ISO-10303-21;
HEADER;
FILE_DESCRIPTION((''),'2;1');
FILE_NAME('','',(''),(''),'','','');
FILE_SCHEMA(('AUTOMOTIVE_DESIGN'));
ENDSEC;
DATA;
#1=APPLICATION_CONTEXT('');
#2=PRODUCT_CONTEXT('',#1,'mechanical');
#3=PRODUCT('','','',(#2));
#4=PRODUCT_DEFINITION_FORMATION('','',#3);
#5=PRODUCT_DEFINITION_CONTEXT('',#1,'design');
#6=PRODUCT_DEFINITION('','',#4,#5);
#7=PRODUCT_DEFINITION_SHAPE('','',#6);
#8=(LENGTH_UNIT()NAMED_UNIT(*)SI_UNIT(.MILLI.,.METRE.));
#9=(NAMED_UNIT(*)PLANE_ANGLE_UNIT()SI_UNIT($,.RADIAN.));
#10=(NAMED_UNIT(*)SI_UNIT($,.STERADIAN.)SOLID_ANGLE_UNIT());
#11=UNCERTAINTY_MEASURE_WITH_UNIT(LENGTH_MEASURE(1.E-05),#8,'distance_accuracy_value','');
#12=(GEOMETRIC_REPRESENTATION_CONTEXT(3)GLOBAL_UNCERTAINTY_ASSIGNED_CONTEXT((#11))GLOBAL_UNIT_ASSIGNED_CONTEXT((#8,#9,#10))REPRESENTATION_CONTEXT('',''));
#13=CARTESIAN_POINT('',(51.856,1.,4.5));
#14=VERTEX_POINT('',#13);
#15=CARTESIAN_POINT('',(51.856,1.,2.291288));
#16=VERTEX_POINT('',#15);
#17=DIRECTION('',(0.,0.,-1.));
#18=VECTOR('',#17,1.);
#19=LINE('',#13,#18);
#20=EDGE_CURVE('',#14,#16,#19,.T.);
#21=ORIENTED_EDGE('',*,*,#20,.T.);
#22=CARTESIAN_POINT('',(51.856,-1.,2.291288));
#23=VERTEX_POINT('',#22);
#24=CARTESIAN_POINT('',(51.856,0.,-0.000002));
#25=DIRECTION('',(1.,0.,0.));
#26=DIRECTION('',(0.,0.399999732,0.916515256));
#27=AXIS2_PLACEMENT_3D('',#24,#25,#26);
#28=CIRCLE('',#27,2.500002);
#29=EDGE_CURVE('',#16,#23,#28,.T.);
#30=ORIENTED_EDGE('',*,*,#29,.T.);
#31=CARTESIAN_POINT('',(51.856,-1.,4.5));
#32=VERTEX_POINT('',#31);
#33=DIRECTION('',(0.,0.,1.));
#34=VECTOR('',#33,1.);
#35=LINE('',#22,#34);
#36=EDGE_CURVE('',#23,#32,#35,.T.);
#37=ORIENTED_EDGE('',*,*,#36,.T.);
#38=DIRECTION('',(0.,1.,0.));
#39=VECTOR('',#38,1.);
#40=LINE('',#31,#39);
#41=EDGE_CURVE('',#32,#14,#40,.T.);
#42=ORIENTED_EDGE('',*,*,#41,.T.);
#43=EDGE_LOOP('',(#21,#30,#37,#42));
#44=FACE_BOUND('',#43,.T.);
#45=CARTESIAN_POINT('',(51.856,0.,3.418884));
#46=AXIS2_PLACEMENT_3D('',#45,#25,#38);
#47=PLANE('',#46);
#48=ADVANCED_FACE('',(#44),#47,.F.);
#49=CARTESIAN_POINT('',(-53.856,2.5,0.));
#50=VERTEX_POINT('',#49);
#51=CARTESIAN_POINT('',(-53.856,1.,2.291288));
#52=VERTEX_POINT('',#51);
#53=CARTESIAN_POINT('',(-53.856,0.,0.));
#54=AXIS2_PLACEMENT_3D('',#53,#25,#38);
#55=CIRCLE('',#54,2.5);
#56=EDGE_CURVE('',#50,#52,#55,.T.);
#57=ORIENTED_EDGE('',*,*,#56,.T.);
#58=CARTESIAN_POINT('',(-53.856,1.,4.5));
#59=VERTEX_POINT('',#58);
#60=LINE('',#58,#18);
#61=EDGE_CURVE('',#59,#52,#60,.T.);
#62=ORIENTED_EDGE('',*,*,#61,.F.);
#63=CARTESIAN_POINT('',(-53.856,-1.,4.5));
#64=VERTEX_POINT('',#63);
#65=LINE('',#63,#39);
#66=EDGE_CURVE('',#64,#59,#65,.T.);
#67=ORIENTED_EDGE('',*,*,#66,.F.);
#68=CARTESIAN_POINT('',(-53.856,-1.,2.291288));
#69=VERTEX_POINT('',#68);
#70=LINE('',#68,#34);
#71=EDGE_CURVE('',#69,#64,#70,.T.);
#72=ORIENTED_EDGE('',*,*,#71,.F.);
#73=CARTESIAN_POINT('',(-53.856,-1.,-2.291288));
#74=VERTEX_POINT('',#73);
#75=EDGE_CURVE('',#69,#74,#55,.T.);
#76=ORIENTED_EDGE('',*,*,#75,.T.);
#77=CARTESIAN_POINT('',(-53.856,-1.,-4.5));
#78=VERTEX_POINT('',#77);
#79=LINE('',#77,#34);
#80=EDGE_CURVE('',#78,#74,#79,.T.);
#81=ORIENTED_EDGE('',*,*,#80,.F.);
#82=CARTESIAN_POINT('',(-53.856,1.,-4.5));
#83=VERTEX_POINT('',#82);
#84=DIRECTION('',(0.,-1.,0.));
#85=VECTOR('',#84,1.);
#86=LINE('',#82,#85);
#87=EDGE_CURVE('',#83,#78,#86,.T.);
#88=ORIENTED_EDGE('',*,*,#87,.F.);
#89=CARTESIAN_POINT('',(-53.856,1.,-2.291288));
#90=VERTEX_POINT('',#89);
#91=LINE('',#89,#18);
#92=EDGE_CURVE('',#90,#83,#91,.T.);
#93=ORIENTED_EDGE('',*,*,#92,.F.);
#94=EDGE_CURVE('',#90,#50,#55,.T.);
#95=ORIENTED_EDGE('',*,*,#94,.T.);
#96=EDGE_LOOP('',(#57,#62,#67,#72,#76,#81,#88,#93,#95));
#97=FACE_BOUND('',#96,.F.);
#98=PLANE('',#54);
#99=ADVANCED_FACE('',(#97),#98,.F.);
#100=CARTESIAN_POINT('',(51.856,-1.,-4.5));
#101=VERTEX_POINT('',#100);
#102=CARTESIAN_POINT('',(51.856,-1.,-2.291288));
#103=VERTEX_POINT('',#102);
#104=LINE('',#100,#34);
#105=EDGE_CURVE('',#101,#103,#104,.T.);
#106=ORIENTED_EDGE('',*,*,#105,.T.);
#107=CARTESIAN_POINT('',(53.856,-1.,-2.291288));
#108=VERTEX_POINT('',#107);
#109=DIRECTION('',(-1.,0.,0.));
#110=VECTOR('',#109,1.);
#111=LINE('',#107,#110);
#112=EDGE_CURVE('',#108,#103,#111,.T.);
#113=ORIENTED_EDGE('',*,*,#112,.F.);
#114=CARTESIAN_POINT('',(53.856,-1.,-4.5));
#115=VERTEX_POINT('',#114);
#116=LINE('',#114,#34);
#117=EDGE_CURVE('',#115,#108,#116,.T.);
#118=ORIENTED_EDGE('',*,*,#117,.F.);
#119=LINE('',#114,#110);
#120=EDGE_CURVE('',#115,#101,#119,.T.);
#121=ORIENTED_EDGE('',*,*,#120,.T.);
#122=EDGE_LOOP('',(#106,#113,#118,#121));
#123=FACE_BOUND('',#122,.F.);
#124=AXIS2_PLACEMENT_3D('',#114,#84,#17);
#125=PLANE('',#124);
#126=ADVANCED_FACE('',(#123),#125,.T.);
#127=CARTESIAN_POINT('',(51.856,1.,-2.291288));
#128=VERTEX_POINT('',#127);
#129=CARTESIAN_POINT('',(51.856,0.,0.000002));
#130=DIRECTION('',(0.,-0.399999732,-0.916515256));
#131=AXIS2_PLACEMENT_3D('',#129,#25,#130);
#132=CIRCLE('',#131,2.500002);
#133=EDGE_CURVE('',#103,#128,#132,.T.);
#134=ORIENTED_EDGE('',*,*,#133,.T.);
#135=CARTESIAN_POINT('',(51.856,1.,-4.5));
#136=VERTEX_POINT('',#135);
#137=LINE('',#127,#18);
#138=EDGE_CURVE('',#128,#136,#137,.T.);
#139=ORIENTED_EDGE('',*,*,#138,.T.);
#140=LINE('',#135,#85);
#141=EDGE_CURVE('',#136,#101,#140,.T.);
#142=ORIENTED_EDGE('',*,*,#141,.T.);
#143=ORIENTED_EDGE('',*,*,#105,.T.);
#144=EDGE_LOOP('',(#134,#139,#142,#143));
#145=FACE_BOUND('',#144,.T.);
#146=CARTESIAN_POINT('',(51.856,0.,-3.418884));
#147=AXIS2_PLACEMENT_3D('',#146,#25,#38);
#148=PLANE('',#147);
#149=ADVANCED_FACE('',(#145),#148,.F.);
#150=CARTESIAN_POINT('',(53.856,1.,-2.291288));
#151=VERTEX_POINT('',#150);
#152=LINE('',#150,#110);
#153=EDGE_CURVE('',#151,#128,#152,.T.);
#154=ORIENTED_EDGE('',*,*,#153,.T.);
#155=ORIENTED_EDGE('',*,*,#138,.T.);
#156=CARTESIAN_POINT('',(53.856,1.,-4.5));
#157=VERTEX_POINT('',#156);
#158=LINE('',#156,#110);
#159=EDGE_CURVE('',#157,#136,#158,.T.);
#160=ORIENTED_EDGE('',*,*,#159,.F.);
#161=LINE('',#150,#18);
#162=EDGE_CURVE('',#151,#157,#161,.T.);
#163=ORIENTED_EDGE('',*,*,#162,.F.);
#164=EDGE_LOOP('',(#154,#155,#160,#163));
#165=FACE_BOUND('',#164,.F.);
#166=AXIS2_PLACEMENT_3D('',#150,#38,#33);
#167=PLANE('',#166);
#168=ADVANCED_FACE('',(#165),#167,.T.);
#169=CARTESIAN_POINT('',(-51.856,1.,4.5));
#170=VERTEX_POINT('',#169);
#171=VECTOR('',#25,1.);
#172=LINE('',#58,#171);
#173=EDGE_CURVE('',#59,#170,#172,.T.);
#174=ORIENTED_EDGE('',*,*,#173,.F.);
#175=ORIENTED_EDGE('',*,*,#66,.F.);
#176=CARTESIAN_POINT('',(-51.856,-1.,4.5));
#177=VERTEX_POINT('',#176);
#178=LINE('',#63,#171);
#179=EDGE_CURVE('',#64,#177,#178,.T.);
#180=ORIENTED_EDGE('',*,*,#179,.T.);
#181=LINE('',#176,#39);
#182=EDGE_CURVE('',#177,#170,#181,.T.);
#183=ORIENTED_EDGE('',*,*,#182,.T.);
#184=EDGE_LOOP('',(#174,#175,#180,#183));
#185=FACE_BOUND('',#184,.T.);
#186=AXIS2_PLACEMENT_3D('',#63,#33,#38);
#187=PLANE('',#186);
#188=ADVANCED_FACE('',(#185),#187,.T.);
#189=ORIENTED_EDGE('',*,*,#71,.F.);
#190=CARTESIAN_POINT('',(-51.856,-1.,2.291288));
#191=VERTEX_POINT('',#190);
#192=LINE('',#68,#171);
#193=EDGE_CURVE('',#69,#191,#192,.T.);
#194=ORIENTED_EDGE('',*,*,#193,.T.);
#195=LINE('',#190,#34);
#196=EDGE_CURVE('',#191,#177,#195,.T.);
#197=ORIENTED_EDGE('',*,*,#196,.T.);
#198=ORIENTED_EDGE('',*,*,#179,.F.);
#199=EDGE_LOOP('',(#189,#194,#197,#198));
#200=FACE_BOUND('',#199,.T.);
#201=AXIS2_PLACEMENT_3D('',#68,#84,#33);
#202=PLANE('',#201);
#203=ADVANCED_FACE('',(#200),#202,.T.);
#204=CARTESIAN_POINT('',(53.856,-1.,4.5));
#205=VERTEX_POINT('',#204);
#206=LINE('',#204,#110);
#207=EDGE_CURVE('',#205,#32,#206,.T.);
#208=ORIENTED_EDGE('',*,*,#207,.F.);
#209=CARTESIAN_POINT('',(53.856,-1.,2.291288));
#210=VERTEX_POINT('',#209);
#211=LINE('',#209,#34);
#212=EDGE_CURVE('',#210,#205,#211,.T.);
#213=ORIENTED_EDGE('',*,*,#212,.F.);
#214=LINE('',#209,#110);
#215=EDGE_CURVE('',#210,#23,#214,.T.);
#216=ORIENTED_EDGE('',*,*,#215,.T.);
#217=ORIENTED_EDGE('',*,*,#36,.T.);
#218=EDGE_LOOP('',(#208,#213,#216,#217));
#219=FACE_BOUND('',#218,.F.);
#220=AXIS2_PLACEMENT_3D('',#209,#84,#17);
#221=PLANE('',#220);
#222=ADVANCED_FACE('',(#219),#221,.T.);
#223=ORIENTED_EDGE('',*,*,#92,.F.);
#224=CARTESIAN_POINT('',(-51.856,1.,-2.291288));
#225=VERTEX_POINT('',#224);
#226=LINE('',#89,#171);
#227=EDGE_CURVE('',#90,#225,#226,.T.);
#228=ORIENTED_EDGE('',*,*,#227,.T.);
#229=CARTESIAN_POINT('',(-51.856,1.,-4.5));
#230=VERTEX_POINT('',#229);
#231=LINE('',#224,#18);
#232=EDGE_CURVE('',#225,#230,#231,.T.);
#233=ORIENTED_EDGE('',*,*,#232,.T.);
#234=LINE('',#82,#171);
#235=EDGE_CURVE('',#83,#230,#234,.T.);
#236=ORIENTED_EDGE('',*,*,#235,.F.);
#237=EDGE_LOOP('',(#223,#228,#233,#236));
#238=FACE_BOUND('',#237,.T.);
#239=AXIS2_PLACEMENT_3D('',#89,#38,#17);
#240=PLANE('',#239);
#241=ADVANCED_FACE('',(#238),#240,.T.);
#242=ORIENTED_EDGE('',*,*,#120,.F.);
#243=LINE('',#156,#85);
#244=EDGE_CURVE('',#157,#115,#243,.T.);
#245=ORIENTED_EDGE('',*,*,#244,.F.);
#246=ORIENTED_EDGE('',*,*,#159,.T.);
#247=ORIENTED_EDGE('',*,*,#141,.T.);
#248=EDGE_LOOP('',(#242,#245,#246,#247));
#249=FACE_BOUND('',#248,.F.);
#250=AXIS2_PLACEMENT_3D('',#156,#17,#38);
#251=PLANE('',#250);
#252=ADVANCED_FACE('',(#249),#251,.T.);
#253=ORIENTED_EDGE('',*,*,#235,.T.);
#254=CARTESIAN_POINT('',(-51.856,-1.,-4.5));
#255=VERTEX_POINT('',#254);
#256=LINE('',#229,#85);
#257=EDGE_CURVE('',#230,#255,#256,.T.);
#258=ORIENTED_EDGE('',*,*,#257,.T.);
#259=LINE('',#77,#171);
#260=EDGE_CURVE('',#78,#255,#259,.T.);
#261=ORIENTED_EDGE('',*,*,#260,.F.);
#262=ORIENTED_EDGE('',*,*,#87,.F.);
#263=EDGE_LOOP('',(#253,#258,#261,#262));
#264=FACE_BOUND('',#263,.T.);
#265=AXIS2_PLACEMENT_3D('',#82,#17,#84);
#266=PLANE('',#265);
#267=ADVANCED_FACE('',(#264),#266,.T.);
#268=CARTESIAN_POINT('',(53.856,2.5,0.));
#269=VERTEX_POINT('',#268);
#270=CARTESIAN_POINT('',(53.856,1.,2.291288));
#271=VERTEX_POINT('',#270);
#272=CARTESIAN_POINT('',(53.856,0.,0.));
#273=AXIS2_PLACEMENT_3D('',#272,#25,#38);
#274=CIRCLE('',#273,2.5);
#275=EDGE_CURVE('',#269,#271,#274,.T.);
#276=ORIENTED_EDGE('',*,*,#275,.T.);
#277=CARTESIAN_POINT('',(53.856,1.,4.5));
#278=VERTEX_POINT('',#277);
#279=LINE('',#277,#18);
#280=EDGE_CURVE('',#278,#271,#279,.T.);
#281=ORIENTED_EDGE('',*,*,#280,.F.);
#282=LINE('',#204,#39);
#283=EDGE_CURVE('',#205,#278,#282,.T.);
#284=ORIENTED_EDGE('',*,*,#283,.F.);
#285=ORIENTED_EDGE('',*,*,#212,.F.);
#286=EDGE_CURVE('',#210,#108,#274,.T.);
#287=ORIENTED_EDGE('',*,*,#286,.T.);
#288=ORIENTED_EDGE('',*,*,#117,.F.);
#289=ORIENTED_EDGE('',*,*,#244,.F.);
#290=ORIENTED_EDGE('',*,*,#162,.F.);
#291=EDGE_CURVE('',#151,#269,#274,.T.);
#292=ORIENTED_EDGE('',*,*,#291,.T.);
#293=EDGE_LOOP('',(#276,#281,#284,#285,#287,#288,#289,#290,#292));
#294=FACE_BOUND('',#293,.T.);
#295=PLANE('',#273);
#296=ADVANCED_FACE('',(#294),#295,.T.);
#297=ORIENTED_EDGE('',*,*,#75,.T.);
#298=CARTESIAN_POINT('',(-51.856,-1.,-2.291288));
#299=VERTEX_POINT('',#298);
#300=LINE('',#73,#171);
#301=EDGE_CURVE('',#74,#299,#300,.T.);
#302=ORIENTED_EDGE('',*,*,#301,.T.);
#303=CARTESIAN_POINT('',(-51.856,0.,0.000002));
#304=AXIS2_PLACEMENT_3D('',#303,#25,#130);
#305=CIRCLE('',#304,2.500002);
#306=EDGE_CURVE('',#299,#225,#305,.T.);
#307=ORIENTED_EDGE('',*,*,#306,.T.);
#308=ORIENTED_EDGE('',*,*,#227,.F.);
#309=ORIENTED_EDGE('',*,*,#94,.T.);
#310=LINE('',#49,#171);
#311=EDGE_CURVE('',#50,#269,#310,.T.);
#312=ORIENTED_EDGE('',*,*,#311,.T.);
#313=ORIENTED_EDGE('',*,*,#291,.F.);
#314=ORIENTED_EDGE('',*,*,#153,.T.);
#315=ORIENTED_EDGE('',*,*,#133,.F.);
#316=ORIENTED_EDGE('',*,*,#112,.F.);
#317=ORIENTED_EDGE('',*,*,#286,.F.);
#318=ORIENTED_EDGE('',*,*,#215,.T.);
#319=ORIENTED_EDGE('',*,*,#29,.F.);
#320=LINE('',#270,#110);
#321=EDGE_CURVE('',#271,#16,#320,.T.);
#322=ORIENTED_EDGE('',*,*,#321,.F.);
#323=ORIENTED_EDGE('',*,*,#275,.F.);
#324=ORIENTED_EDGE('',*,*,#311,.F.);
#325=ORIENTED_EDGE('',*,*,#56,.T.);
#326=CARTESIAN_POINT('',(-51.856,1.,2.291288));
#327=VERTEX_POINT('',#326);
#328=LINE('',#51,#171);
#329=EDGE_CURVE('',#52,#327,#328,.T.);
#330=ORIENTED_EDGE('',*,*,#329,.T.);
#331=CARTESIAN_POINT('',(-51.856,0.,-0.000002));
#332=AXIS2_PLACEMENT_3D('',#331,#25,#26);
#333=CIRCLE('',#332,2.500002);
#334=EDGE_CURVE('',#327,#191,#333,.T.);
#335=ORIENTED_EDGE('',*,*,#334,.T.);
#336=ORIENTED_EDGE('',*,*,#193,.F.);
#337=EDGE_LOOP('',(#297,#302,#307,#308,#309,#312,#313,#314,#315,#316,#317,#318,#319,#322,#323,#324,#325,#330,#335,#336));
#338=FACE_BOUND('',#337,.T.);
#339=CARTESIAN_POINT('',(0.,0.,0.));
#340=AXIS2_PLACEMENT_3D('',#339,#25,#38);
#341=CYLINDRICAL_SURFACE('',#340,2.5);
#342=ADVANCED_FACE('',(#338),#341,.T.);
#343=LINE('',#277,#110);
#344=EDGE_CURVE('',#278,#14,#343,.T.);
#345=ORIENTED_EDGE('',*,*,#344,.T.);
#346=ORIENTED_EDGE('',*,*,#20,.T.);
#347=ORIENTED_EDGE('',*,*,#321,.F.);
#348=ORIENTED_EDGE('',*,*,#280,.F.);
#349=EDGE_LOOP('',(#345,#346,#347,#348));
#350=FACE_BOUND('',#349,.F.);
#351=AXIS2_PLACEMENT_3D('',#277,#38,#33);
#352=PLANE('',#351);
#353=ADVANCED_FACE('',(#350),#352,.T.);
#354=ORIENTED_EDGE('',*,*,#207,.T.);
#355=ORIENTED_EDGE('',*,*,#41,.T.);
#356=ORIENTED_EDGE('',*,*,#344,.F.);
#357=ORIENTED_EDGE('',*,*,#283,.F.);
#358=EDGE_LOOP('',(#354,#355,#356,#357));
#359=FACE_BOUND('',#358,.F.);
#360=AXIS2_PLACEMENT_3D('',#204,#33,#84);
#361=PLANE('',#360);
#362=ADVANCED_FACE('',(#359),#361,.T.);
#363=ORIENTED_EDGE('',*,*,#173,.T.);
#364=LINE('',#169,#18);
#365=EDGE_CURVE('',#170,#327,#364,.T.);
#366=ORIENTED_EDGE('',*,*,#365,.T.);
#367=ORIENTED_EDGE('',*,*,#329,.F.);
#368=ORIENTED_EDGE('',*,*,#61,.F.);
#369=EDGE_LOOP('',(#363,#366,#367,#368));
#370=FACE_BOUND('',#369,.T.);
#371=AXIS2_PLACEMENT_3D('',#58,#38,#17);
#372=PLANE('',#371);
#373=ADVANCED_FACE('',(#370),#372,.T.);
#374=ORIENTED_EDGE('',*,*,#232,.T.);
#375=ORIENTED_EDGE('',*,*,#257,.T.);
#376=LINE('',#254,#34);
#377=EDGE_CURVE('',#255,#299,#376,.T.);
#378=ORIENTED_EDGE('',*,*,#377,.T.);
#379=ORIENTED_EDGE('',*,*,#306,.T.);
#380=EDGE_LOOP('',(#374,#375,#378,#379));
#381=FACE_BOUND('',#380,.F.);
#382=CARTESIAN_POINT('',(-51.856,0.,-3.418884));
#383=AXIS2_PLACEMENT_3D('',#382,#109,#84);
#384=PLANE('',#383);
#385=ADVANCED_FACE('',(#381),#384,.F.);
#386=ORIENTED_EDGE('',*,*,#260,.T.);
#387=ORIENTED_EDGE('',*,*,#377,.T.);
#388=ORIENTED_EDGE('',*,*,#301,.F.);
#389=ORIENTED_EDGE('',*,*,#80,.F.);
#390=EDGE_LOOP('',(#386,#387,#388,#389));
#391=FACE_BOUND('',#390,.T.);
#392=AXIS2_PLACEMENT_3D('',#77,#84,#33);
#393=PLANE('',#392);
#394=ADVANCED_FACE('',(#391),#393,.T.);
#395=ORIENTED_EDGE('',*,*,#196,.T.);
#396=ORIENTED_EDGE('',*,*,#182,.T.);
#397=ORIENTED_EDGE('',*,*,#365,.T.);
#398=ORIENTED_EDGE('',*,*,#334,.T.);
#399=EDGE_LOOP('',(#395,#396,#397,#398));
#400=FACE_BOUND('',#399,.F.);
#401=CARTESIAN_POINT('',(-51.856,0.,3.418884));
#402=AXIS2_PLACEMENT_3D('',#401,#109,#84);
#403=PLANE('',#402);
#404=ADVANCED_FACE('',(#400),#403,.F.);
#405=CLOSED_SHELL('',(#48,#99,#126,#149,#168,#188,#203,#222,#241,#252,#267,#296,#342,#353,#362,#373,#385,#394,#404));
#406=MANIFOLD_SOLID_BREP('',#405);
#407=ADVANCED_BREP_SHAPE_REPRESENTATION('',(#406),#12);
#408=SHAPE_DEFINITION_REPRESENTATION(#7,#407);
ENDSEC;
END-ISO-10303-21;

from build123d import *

# Parameters (mm, degrees)
F0_R     = 2.5
F1_DEPTH = 53.856
F3_DEPTH = 2


with BuildPart() as f1:
    # F0 (on Right) → F1 (new body, symmetric)
    with BuildSketch(Plane.YZ):
        Circle(F0_R)
    extrude(amount=F1_DEPTH, both=True)

    # F2 (on face) → F3 (join)
    with BuildSketch(Plane(origin=(-53.856, 0, 0), x_dir=(0, -1, 0), z_dir=(-1, 0, 0))):
        with BuildLine():
            ThreePointArc((-1, 2.291288), (0, 2.5), (1, 2.291288))
            Line((1, 2.291288), (1, 4.5))
            Line((1, 4.5), (-1, 4.5))
            Line((-1, 4.5), (-1, 2.291288))
        make_face()
        with BuildLine():
            Line((-1, -4.5), (1, -4.5))
            Line((1, -4.5), (1, -2.291288))
            ThreePointArc((1, -2.291288), (0, -2.5), (-1, -2.291288))
            Line((-1, -2.291288), (-1, -4.5))
        make_face()
    extrude(amount=-F3_DEPTH)

    # F4: F1 across plane


with BuildPart() as f1_1:
    add(f1.part)
    add(f1.part.mirror(Plane.YZ))


solid = f1_1.part
